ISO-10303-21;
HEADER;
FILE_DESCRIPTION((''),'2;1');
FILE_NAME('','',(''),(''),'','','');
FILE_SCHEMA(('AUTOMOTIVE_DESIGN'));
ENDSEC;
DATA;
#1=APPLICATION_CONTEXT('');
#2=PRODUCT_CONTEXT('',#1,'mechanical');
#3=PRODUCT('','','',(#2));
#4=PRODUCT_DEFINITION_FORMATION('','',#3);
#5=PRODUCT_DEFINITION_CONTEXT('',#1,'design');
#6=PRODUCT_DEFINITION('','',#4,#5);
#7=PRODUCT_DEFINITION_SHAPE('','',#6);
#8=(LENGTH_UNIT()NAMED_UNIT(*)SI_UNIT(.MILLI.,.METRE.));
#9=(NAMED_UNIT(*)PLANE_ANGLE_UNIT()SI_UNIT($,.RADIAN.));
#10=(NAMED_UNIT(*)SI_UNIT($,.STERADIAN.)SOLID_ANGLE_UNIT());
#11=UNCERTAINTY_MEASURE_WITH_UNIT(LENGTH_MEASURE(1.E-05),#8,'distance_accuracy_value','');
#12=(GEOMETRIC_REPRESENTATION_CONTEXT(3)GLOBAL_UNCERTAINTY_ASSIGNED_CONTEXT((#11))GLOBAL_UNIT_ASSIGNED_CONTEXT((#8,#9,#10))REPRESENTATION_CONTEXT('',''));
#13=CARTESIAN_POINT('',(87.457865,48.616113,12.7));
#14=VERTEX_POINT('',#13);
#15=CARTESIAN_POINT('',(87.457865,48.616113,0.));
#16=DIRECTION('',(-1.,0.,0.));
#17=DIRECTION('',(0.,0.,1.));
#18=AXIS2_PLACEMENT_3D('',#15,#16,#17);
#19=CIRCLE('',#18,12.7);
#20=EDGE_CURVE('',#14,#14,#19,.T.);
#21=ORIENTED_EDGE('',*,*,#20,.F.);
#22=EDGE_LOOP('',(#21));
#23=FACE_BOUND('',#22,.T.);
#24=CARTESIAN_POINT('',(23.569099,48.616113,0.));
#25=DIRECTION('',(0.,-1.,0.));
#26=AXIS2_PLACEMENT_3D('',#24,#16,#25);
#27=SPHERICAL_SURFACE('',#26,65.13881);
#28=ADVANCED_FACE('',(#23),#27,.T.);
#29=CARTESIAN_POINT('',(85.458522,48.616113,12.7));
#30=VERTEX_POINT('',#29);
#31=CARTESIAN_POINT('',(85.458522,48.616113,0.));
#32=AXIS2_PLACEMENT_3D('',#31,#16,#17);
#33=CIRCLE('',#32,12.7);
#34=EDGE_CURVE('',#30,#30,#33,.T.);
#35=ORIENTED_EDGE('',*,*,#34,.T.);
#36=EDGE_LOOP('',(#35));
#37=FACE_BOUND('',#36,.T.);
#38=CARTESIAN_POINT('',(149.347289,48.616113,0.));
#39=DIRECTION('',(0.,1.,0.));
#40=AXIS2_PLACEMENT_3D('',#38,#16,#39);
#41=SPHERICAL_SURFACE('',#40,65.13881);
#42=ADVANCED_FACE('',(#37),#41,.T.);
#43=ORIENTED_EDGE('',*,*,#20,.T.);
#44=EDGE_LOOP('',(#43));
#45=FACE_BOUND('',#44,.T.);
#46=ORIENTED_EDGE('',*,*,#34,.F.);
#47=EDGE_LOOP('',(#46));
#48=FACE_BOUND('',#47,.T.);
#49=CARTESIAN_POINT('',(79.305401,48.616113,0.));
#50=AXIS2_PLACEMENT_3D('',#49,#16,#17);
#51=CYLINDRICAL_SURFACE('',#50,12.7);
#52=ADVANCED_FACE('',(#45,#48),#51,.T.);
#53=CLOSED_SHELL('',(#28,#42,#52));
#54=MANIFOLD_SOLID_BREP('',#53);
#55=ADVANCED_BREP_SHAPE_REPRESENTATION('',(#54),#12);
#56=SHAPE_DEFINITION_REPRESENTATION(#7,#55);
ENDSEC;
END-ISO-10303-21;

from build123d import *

# Parameters (mm, degrees)
SKETCH_1_ONE_SIDE_W = 1.999342857
SKETCH_1_ONE_SIDE_H = 12.7


with BuildPart() as part:
    # 草图1 one side → 旋转1 (revolve)
    with BuildSketch(Plane.XY, mode=Mode.PRIVATE) as revolve_1_sk:
        with Locations((86.458193775, 54.966113023)):
            Rectangle(SKETCH_1_ONE_SIDE_W, SKETCH_1_ONE_SIDE_H)
        with BuildLine():
            Line((84.208479489, 48.616113023), (85.458522346, 48.616113023))
            Line((85.458522346, 48.616113023), (85.458522346, 61.316113023))
            ThreePointArc((85.458522346, 61.316113023), (84.521743474, 54.996798863), (84.208479489, 48.616113023))
        make_face()
        with BuildLine():
            Line((87.457865203, 48.616113023), (88.70790806, 48.616113023))
            ThreePointArc((88.70790806, 48.616113023), (88.394644075, 54.996798863), (87.457865203, 61.316113023))
            Line((87.457865203, 61.316113023), (87.457865203, 48.616113023))
        make_face()
    revolve(revolve_1_sk.sketch.rotate(Axis((79.305401351, 48.616113023, 0), (1, 0, 0)), 90), axis=Axis((79.305401351, 48.616113023, 0), (1, 0, 0)))  # turned: the seam where the file's is


solid = part.part
